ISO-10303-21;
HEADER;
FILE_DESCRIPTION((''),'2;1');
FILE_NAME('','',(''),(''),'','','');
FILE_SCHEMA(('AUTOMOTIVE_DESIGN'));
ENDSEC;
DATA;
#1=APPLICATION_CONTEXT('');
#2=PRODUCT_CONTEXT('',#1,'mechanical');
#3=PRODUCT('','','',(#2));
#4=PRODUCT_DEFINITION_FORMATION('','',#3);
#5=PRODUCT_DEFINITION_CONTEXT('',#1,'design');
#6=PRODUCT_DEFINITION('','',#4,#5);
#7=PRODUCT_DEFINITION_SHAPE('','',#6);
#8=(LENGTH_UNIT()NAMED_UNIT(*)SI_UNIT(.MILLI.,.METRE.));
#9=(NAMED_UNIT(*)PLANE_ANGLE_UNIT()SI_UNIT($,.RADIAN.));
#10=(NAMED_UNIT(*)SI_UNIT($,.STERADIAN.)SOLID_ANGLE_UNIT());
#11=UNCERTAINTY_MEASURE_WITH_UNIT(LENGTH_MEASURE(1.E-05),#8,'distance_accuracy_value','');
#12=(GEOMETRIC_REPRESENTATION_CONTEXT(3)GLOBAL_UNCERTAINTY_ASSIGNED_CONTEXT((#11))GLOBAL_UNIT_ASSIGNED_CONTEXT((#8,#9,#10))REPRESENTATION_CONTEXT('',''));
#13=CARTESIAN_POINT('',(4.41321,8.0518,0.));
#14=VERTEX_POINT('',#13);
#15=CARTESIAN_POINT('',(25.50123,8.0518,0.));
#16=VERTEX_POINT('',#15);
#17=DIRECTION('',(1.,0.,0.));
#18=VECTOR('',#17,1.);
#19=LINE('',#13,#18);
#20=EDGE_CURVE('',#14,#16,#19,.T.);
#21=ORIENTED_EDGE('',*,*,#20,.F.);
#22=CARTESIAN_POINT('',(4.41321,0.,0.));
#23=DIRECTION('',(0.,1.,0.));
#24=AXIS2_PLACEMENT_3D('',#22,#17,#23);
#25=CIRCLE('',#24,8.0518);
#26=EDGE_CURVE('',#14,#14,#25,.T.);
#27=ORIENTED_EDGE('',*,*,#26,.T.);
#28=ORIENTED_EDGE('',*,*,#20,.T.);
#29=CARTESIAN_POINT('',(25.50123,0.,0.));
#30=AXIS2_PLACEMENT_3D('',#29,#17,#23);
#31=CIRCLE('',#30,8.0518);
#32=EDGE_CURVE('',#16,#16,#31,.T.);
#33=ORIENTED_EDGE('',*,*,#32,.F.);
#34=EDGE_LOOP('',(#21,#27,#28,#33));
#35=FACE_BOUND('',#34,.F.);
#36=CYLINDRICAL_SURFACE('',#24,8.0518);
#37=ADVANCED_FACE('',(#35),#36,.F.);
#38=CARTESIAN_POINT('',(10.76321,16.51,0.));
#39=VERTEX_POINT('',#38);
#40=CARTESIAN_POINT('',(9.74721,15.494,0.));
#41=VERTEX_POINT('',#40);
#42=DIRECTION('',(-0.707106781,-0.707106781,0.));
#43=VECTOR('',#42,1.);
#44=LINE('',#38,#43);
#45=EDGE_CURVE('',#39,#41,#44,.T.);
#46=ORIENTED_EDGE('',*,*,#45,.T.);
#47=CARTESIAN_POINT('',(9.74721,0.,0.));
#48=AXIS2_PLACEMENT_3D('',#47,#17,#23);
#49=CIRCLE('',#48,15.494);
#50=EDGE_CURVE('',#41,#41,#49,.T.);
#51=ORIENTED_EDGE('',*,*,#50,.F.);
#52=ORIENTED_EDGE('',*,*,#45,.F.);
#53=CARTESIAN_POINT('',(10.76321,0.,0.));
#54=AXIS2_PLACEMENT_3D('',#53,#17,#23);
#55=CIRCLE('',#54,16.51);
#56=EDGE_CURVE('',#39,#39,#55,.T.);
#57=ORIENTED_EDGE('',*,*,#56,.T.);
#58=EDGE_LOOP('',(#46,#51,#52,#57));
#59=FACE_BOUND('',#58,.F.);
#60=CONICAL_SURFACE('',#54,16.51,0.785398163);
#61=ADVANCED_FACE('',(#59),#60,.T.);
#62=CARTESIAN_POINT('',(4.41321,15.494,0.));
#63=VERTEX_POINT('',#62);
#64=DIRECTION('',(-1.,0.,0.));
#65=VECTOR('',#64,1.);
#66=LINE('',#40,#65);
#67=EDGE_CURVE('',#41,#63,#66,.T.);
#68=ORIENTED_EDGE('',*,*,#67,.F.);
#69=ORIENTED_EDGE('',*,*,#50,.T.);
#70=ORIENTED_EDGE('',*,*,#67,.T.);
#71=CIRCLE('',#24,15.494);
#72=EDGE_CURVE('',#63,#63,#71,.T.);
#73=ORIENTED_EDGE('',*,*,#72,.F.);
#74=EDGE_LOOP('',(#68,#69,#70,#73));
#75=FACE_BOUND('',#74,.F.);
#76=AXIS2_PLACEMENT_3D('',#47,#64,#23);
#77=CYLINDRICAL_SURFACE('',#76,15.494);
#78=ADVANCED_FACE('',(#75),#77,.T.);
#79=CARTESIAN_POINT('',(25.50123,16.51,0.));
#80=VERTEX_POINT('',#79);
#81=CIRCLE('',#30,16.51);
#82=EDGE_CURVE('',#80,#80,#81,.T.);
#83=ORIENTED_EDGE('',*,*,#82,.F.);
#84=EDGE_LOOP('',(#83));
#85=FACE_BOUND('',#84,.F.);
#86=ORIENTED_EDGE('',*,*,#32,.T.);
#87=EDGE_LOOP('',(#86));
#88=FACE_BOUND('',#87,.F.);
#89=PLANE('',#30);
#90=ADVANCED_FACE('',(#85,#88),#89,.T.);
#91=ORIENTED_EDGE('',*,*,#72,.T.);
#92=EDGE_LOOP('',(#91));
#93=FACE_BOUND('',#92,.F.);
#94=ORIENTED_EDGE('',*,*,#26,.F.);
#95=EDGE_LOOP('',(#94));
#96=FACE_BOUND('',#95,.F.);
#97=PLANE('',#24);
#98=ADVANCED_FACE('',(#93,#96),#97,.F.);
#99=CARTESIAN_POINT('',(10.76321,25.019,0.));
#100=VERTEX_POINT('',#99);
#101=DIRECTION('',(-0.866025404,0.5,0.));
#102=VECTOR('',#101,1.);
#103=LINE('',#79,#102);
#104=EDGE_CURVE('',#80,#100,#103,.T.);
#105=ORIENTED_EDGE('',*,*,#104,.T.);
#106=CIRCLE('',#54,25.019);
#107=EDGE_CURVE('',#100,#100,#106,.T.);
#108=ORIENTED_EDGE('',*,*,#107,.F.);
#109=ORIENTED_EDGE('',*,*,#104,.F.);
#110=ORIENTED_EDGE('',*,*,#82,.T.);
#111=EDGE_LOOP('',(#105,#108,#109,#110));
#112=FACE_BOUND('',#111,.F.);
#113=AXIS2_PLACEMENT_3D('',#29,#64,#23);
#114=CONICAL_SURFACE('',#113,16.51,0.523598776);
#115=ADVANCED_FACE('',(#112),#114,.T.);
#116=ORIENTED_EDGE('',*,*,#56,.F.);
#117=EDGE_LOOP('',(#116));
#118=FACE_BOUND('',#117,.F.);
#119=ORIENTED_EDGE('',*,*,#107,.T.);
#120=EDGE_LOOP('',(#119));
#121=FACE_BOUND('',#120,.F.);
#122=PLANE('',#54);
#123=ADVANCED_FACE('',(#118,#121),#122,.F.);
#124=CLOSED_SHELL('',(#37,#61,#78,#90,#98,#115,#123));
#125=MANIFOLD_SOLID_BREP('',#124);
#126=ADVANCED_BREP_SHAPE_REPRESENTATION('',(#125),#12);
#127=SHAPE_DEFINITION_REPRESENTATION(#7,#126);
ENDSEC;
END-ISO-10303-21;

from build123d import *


with BuildPart() as part:
    # Sketch1 → Revolve1 (revolve)
    with BuildSketch(Plane.XY):
        Polygon((4.413209819, 8.0518), (25.50123014, 8.0518), (25.50123014, 16.51), (10.763209819, 25.019), (10.763209819, 16.51), (9.747209819, 15.494), (4.413209819, 15.494), align=None)
    revolve(axis=Axis((0, 0, 0), (1, 0, 0)))


solid = part.part
